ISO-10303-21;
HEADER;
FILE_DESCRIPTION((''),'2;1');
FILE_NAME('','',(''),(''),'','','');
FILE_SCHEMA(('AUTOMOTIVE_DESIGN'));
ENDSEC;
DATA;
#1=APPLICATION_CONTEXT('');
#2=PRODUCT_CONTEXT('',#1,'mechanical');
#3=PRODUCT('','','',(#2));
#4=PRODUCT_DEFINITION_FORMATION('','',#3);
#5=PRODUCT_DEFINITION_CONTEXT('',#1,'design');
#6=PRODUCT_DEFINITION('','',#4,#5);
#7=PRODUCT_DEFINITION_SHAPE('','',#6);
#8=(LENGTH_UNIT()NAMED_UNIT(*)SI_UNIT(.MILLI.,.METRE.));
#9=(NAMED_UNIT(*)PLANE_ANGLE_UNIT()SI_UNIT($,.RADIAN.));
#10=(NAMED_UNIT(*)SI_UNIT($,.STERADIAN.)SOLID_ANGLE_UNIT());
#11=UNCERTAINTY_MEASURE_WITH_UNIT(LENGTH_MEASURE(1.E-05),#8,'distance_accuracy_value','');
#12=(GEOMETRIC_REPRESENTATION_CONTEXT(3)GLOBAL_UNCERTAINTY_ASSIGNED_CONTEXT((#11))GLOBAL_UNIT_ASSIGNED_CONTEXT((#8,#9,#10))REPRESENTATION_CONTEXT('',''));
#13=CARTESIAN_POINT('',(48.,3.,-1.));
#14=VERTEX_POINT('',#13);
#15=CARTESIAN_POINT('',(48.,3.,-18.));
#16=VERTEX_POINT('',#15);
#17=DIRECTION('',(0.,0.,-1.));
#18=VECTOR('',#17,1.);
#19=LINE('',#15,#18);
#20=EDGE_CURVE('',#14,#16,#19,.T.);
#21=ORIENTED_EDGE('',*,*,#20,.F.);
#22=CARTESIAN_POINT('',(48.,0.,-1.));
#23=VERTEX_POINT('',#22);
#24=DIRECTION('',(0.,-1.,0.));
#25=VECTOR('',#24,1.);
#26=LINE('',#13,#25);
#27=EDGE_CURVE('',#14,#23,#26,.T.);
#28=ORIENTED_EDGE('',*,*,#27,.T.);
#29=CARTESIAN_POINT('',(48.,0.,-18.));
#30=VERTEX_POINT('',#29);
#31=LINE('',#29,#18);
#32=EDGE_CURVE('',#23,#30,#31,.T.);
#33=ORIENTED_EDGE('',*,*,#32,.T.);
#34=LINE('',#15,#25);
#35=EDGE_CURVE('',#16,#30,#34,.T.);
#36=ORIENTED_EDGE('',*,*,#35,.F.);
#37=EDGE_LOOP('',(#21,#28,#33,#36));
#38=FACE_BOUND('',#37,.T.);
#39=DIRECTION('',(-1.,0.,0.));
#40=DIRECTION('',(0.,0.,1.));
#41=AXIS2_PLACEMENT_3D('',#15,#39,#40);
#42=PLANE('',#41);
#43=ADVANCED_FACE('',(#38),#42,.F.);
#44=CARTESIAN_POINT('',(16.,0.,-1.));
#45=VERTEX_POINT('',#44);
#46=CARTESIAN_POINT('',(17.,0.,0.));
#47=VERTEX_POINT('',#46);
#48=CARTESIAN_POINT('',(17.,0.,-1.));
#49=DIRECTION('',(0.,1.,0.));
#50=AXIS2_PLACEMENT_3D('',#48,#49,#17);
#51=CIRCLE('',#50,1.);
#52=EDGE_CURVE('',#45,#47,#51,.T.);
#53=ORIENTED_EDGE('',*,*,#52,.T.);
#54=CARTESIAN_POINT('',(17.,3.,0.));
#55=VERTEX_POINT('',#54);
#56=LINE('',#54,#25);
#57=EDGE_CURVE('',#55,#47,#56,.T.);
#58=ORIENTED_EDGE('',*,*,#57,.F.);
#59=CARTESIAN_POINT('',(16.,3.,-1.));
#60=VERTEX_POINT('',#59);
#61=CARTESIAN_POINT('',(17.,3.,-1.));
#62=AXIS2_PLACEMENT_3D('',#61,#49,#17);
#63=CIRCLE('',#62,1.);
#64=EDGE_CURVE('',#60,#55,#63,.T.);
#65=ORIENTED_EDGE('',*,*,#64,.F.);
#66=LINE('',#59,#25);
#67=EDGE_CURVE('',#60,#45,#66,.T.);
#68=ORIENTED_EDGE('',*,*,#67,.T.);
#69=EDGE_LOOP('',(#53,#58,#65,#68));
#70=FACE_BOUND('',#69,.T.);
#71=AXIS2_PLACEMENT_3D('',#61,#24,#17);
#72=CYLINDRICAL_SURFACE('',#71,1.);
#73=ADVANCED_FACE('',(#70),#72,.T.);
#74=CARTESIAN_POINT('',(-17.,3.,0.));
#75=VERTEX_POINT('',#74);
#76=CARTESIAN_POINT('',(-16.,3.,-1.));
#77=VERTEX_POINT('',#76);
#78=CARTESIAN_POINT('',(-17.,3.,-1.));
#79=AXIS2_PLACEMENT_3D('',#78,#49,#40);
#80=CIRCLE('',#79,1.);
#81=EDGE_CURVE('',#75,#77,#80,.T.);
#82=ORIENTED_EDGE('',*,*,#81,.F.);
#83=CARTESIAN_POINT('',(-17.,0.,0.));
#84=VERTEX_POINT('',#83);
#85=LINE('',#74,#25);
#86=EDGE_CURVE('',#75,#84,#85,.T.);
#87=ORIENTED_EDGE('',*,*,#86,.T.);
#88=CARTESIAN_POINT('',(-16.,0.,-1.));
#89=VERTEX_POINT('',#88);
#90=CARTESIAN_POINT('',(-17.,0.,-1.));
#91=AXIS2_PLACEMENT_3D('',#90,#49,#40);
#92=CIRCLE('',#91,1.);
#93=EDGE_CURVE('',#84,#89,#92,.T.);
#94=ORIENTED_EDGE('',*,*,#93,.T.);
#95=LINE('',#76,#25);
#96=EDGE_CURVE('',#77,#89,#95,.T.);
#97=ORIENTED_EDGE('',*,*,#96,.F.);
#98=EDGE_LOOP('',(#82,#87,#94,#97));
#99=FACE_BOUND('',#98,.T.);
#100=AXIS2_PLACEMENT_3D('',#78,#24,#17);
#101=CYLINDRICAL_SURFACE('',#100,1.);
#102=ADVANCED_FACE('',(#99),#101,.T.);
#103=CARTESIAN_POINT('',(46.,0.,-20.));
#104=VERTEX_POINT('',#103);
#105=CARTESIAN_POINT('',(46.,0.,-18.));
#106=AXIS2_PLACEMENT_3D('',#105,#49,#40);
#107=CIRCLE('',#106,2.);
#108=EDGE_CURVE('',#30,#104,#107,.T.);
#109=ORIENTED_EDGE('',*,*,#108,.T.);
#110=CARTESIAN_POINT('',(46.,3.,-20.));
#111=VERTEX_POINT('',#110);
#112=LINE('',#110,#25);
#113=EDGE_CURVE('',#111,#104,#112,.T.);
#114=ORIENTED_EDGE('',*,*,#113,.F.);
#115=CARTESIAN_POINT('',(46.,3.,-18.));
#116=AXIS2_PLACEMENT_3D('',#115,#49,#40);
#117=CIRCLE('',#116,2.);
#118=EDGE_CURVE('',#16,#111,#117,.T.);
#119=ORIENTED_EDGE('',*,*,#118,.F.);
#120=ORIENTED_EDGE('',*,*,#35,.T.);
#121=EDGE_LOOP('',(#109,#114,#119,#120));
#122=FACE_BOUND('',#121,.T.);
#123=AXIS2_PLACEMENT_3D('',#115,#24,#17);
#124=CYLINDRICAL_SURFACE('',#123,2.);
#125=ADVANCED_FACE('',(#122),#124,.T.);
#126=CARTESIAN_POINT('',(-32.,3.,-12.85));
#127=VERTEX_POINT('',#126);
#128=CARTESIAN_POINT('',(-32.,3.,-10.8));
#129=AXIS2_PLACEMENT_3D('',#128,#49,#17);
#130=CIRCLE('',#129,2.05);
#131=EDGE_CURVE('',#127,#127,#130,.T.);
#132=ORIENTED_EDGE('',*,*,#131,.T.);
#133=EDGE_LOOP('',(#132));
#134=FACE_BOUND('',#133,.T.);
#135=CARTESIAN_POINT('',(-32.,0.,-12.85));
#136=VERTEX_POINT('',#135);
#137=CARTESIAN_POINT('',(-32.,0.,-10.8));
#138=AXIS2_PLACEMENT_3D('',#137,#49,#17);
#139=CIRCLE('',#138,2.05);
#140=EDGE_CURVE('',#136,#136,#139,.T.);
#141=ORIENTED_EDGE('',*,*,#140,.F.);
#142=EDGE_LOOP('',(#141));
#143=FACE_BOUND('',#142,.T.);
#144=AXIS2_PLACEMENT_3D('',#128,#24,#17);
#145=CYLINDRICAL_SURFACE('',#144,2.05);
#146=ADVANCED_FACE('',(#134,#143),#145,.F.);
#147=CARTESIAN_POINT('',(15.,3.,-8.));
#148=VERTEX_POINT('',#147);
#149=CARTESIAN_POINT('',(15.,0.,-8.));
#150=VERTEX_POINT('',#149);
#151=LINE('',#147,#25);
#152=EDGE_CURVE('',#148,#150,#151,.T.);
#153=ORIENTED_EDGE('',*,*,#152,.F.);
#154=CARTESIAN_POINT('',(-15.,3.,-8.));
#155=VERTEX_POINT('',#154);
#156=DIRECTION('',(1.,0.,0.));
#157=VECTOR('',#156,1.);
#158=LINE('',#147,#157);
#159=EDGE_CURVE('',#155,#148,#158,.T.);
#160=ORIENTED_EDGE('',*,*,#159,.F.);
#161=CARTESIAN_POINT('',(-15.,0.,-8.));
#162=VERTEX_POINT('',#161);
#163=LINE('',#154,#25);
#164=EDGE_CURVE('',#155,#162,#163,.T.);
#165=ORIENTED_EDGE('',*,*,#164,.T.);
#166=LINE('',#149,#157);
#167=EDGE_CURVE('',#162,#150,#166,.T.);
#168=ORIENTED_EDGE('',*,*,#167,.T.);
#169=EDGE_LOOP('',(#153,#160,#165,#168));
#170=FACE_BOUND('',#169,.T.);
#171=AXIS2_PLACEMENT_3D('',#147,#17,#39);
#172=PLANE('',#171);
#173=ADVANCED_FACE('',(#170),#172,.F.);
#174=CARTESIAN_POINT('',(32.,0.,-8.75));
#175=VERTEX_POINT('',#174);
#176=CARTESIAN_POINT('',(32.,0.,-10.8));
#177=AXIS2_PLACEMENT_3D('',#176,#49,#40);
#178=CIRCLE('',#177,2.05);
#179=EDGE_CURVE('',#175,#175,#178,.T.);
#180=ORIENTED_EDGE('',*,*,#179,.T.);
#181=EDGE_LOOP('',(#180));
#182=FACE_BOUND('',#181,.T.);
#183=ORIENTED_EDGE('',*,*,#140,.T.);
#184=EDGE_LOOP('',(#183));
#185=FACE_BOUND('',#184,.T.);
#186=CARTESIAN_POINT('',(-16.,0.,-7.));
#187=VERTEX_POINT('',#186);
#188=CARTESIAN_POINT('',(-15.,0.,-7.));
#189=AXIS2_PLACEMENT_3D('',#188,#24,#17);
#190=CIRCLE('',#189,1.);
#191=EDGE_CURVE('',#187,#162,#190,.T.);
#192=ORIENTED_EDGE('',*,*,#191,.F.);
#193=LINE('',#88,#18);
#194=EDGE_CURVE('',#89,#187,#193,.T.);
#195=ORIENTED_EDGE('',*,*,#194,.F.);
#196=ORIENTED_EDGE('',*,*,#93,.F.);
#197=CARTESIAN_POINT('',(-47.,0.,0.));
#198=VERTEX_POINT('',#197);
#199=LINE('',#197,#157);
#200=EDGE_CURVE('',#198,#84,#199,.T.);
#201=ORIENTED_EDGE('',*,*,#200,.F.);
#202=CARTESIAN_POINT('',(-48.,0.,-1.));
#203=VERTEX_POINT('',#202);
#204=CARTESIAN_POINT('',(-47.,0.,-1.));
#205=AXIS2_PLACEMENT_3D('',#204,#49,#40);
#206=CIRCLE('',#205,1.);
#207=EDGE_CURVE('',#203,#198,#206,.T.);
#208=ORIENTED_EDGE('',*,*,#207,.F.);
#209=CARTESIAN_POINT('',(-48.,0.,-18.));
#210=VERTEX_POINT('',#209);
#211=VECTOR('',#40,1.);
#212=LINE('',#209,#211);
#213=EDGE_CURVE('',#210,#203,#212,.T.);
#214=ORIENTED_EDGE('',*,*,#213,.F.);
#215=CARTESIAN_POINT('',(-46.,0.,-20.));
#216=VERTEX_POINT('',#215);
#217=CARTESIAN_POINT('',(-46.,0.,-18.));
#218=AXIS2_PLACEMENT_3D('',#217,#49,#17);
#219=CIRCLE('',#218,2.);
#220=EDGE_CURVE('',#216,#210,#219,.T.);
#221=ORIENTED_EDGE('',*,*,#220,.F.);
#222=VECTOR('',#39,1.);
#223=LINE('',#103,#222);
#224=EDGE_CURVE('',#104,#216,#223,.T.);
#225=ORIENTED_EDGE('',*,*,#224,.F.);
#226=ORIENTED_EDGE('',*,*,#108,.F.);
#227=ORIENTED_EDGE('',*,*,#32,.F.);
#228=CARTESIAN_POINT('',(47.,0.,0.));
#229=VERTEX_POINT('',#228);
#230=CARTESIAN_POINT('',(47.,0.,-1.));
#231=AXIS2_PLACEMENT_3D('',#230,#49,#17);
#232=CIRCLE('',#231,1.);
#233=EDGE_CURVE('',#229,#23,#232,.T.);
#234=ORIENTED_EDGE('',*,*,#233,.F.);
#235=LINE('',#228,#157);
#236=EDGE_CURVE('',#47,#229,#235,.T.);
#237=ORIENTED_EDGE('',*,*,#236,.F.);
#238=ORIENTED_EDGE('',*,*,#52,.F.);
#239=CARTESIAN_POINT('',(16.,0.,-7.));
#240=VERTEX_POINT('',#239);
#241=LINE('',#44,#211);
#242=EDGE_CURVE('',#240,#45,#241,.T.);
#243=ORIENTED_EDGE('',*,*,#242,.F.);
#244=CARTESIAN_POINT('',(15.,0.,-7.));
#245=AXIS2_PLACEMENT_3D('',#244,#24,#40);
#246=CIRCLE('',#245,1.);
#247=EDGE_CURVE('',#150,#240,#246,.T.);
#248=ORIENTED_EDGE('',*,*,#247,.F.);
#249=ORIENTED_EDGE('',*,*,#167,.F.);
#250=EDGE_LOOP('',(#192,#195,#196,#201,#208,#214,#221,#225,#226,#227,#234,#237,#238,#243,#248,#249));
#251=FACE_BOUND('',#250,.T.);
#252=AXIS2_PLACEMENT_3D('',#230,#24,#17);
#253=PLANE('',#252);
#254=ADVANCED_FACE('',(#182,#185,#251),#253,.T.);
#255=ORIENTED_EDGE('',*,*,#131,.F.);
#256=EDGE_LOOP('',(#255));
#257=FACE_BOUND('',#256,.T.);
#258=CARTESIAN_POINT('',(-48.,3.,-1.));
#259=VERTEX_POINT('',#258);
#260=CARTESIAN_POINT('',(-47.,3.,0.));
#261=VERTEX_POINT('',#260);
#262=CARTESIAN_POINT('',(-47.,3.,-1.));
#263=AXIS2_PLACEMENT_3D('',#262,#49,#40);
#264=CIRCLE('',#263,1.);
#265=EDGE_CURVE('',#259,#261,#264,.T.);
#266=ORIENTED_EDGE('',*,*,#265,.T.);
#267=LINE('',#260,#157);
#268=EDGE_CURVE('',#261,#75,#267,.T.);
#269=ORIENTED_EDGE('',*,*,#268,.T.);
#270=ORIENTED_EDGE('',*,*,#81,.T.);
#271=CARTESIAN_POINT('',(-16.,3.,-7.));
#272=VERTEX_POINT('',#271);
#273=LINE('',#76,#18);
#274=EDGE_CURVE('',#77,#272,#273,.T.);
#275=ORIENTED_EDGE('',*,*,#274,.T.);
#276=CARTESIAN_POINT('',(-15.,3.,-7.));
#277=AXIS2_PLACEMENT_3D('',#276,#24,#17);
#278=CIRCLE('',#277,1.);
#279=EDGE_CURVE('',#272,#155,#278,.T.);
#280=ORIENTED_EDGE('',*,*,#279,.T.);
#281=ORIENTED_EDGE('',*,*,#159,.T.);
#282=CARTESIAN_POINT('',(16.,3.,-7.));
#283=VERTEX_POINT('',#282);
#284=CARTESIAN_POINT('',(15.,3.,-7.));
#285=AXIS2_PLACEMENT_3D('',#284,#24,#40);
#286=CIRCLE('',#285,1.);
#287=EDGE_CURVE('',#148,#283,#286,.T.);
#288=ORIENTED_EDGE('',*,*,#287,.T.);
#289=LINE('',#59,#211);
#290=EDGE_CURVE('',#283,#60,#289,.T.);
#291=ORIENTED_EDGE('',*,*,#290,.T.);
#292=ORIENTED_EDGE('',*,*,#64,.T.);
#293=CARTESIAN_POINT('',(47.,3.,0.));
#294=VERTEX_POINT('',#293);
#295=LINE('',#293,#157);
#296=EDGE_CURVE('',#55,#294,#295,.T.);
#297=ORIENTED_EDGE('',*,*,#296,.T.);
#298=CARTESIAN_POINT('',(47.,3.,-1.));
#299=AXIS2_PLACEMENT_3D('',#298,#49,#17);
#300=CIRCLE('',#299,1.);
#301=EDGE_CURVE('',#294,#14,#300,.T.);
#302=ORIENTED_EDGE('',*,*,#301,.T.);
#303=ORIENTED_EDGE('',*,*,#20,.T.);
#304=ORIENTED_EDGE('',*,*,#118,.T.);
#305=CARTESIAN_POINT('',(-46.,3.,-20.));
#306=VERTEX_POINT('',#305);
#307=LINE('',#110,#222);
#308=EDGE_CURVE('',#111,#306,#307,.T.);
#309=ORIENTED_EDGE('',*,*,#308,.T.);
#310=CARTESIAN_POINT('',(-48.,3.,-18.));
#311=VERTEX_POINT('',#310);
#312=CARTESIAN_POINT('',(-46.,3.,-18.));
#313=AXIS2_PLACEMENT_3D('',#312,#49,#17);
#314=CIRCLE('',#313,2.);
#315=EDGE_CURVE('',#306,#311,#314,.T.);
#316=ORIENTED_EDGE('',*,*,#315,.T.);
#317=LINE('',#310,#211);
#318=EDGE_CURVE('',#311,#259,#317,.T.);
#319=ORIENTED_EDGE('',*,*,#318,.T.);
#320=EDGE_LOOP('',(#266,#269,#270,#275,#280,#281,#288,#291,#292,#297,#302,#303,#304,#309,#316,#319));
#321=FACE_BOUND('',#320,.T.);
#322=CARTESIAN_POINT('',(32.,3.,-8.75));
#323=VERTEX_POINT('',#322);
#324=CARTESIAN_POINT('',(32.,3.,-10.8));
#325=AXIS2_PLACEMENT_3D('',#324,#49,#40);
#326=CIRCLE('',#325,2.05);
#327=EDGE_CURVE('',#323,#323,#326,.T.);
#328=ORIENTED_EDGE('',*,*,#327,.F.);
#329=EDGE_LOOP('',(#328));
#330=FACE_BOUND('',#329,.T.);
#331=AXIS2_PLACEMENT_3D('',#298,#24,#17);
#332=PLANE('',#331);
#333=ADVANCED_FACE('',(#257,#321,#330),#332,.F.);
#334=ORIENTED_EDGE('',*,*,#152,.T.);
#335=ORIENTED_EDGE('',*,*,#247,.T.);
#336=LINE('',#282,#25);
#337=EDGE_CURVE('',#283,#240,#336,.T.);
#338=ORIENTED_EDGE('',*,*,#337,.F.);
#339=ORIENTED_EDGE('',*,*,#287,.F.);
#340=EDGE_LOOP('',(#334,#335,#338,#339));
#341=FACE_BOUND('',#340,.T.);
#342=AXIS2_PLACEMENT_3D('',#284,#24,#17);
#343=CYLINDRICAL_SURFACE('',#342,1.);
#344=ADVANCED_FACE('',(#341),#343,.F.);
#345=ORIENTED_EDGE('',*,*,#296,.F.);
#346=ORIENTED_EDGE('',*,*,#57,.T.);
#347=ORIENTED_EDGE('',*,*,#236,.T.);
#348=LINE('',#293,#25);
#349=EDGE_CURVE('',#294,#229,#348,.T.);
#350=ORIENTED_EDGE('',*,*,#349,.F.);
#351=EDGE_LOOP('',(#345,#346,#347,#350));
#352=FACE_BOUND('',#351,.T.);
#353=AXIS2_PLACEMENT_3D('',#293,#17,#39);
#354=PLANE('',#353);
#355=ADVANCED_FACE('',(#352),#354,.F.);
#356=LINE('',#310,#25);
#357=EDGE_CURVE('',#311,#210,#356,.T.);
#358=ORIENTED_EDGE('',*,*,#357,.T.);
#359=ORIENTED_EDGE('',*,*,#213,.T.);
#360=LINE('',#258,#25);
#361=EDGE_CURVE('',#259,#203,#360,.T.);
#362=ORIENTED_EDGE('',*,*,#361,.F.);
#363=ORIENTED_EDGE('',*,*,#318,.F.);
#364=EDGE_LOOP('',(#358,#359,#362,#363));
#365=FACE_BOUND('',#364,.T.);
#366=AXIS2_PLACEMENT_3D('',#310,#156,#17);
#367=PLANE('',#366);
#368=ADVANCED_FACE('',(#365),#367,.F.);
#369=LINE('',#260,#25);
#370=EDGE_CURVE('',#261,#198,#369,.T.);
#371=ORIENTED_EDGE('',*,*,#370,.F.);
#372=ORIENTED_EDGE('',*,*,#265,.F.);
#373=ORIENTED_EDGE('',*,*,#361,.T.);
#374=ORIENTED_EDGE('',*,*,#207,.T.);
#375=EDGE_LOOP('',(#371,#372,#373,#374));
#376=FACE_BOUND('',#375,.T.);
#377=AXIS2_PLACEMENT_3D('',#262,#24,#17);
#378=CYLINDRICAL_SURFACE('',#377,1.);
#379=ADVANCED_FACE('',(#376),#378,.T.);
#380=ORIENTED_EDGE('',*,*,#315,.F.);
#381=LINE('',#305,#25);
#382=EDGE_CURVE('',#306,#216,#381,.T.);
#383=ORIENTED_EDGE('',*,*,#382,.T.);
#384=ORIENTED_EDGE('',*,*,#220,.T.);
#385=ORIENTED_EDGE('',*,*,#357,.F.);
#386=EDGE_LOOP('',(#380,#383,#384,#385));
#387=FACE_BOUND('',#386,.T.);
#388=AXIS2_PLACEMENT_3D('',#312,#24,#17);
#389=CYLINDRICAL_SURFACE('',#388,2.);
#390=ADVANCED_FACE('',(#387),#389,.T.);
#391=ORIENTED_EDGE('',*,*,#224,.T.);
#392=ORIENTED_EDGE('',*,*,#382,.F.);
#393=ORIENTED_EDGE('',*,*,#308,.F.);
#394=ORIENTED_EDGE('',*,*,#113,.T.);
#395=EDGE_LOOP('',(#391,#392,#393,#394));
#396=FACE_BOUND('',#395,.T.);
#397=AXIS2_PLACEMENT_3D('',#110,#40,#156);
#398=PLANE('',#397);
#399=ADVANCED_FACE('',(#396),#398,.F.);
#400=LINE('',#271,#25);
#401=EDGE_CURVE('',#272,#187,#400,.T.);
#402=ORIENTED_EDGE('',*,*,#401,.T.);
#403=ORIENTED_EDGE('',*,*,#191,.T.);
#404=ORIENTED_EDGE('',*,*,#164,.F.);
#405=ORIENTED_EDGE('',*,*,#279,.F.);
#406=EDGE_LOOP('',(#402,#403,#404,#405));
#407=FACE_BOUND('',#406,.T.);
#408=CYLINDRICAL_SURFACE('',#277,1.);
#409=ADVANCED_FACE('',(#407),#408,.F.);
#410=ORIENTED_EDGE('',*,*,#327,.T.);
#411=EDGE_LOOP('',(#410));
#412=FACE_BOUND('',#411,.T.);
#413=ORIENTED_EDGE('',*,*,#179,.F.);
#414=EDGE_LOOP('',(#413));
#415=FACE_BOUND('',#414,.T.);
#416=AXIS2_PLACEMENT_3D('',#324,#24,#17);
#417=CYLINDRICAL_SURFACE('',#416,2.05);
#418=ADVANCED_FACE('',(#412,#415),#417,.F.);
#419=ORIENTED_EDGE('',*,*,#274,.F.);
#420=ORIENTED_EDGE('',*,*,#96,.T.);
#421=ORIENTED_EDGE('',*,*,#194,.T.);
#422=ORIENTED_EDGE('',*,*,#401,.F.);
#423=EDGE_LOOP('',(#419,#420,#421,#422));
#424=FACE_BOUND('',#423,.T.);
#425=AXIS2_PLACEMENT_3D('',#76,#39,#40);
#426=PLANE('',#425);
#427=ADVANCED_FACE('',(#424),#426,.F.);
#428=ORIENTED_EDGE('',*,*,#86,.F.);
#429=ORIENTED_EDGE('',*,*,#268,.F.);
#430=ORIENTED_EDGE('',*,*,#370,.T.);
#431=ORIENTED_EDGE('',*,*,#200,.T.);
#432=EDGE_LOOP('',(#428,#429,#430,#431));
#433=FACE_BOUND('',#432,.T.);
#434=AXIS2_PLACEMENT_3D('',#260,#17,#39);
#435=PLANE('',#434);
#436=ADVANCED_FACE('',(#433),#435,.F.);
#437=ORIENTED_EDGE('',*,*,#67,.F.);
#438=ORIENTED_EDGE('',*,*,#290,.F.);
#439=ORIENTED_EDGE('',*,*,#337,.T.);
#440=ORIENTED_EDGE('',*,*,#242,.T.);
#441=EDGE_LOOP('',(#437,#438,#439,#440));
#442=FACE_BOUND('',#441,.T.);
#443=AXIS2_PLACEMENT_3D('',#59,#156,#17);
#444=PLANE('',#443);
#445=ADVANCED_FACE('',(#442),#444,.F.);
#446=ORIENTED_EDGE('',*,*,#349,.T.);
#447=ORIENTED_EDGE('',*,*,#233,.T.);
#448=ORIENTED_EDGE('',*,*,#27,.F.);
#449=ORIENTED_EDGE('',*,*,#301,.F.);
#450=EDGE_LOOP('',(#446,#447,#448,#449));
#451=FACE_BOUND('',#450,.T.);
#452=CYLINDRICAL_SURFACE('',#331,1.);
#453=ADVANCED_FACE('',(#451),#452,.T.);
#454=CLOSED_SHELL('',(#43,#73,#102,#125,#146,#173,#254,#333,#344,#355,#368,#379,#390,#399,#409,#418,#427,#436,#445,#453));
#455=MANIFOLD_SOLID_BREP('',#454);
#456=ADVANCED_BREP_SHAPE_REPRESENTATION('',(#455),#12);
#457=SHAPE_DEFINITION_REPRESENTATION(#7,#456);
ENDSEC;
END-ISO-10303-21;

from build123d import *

# Parameters (mm, degrees)
SKETCH1_R           = 2.05
BOSS_EXTRUDE1_DEPTH = 3


with BuildPart() as part:
    # Sketch1 → Boss-Extrude1 (new body)
    with BuildSketch(Plane(origin=(0, 0, 0), x_dir=(1, 0, 0), z_dir=(0, 1, 0))):
        with BuildLine():
            Line((46, 20), (-46, 20))
            ThreePointArc((-46, 20), (-47.414213562, 19.414213562), (-48, 18))
            Line((-48, 18), (-48, 1))
            ThreePointArc((-48, 1), (-47.707106781, 0.292893219), (-47, 0))
            Line((-47, 0), (-17, 0))
            ThreePointArc((-17, 0), (-16.292893219, 0.292893219), (-16, 1))
            Line((-16, 1), (-16, 7))
            ThreePointArc((-16, 7), (-15.707106781, 7.707106781), (-15, 8))
            Line((-15, 8), (15, 8))
            ThreePointArc((15, 8), (15.707106781, 7.707106781), (16, 7))
            Line((16, 7), (16, 1))
            ThreePointArc((16, 1), (16.292893219, 0.292893219), (17, 0))
            Line((17, 0), (47, 0))
            ThreePointArc((47, 0), (47.707106781, 0.292893219), (48, 1))
            Line((48, 1), (48, 18))
            ThreePointArc((48, 18), (47.414213562, 19.414213562), (46, 20))
        make_face()
        with Locations(Location((32, 10.8, 0), (0, 0, 270))):
            Circle(SKETCH1_R, mode=Mode.SUBTRACT)
        with Locations(Location((-32, 10.8, 0), (0, 0, 90))):
            Circle(SKETCH1_R, mode=Mode.SUBTRACT)
    extrude(amount=BOSS_EXTRUDE1_DEPTH)


solid = part.part
